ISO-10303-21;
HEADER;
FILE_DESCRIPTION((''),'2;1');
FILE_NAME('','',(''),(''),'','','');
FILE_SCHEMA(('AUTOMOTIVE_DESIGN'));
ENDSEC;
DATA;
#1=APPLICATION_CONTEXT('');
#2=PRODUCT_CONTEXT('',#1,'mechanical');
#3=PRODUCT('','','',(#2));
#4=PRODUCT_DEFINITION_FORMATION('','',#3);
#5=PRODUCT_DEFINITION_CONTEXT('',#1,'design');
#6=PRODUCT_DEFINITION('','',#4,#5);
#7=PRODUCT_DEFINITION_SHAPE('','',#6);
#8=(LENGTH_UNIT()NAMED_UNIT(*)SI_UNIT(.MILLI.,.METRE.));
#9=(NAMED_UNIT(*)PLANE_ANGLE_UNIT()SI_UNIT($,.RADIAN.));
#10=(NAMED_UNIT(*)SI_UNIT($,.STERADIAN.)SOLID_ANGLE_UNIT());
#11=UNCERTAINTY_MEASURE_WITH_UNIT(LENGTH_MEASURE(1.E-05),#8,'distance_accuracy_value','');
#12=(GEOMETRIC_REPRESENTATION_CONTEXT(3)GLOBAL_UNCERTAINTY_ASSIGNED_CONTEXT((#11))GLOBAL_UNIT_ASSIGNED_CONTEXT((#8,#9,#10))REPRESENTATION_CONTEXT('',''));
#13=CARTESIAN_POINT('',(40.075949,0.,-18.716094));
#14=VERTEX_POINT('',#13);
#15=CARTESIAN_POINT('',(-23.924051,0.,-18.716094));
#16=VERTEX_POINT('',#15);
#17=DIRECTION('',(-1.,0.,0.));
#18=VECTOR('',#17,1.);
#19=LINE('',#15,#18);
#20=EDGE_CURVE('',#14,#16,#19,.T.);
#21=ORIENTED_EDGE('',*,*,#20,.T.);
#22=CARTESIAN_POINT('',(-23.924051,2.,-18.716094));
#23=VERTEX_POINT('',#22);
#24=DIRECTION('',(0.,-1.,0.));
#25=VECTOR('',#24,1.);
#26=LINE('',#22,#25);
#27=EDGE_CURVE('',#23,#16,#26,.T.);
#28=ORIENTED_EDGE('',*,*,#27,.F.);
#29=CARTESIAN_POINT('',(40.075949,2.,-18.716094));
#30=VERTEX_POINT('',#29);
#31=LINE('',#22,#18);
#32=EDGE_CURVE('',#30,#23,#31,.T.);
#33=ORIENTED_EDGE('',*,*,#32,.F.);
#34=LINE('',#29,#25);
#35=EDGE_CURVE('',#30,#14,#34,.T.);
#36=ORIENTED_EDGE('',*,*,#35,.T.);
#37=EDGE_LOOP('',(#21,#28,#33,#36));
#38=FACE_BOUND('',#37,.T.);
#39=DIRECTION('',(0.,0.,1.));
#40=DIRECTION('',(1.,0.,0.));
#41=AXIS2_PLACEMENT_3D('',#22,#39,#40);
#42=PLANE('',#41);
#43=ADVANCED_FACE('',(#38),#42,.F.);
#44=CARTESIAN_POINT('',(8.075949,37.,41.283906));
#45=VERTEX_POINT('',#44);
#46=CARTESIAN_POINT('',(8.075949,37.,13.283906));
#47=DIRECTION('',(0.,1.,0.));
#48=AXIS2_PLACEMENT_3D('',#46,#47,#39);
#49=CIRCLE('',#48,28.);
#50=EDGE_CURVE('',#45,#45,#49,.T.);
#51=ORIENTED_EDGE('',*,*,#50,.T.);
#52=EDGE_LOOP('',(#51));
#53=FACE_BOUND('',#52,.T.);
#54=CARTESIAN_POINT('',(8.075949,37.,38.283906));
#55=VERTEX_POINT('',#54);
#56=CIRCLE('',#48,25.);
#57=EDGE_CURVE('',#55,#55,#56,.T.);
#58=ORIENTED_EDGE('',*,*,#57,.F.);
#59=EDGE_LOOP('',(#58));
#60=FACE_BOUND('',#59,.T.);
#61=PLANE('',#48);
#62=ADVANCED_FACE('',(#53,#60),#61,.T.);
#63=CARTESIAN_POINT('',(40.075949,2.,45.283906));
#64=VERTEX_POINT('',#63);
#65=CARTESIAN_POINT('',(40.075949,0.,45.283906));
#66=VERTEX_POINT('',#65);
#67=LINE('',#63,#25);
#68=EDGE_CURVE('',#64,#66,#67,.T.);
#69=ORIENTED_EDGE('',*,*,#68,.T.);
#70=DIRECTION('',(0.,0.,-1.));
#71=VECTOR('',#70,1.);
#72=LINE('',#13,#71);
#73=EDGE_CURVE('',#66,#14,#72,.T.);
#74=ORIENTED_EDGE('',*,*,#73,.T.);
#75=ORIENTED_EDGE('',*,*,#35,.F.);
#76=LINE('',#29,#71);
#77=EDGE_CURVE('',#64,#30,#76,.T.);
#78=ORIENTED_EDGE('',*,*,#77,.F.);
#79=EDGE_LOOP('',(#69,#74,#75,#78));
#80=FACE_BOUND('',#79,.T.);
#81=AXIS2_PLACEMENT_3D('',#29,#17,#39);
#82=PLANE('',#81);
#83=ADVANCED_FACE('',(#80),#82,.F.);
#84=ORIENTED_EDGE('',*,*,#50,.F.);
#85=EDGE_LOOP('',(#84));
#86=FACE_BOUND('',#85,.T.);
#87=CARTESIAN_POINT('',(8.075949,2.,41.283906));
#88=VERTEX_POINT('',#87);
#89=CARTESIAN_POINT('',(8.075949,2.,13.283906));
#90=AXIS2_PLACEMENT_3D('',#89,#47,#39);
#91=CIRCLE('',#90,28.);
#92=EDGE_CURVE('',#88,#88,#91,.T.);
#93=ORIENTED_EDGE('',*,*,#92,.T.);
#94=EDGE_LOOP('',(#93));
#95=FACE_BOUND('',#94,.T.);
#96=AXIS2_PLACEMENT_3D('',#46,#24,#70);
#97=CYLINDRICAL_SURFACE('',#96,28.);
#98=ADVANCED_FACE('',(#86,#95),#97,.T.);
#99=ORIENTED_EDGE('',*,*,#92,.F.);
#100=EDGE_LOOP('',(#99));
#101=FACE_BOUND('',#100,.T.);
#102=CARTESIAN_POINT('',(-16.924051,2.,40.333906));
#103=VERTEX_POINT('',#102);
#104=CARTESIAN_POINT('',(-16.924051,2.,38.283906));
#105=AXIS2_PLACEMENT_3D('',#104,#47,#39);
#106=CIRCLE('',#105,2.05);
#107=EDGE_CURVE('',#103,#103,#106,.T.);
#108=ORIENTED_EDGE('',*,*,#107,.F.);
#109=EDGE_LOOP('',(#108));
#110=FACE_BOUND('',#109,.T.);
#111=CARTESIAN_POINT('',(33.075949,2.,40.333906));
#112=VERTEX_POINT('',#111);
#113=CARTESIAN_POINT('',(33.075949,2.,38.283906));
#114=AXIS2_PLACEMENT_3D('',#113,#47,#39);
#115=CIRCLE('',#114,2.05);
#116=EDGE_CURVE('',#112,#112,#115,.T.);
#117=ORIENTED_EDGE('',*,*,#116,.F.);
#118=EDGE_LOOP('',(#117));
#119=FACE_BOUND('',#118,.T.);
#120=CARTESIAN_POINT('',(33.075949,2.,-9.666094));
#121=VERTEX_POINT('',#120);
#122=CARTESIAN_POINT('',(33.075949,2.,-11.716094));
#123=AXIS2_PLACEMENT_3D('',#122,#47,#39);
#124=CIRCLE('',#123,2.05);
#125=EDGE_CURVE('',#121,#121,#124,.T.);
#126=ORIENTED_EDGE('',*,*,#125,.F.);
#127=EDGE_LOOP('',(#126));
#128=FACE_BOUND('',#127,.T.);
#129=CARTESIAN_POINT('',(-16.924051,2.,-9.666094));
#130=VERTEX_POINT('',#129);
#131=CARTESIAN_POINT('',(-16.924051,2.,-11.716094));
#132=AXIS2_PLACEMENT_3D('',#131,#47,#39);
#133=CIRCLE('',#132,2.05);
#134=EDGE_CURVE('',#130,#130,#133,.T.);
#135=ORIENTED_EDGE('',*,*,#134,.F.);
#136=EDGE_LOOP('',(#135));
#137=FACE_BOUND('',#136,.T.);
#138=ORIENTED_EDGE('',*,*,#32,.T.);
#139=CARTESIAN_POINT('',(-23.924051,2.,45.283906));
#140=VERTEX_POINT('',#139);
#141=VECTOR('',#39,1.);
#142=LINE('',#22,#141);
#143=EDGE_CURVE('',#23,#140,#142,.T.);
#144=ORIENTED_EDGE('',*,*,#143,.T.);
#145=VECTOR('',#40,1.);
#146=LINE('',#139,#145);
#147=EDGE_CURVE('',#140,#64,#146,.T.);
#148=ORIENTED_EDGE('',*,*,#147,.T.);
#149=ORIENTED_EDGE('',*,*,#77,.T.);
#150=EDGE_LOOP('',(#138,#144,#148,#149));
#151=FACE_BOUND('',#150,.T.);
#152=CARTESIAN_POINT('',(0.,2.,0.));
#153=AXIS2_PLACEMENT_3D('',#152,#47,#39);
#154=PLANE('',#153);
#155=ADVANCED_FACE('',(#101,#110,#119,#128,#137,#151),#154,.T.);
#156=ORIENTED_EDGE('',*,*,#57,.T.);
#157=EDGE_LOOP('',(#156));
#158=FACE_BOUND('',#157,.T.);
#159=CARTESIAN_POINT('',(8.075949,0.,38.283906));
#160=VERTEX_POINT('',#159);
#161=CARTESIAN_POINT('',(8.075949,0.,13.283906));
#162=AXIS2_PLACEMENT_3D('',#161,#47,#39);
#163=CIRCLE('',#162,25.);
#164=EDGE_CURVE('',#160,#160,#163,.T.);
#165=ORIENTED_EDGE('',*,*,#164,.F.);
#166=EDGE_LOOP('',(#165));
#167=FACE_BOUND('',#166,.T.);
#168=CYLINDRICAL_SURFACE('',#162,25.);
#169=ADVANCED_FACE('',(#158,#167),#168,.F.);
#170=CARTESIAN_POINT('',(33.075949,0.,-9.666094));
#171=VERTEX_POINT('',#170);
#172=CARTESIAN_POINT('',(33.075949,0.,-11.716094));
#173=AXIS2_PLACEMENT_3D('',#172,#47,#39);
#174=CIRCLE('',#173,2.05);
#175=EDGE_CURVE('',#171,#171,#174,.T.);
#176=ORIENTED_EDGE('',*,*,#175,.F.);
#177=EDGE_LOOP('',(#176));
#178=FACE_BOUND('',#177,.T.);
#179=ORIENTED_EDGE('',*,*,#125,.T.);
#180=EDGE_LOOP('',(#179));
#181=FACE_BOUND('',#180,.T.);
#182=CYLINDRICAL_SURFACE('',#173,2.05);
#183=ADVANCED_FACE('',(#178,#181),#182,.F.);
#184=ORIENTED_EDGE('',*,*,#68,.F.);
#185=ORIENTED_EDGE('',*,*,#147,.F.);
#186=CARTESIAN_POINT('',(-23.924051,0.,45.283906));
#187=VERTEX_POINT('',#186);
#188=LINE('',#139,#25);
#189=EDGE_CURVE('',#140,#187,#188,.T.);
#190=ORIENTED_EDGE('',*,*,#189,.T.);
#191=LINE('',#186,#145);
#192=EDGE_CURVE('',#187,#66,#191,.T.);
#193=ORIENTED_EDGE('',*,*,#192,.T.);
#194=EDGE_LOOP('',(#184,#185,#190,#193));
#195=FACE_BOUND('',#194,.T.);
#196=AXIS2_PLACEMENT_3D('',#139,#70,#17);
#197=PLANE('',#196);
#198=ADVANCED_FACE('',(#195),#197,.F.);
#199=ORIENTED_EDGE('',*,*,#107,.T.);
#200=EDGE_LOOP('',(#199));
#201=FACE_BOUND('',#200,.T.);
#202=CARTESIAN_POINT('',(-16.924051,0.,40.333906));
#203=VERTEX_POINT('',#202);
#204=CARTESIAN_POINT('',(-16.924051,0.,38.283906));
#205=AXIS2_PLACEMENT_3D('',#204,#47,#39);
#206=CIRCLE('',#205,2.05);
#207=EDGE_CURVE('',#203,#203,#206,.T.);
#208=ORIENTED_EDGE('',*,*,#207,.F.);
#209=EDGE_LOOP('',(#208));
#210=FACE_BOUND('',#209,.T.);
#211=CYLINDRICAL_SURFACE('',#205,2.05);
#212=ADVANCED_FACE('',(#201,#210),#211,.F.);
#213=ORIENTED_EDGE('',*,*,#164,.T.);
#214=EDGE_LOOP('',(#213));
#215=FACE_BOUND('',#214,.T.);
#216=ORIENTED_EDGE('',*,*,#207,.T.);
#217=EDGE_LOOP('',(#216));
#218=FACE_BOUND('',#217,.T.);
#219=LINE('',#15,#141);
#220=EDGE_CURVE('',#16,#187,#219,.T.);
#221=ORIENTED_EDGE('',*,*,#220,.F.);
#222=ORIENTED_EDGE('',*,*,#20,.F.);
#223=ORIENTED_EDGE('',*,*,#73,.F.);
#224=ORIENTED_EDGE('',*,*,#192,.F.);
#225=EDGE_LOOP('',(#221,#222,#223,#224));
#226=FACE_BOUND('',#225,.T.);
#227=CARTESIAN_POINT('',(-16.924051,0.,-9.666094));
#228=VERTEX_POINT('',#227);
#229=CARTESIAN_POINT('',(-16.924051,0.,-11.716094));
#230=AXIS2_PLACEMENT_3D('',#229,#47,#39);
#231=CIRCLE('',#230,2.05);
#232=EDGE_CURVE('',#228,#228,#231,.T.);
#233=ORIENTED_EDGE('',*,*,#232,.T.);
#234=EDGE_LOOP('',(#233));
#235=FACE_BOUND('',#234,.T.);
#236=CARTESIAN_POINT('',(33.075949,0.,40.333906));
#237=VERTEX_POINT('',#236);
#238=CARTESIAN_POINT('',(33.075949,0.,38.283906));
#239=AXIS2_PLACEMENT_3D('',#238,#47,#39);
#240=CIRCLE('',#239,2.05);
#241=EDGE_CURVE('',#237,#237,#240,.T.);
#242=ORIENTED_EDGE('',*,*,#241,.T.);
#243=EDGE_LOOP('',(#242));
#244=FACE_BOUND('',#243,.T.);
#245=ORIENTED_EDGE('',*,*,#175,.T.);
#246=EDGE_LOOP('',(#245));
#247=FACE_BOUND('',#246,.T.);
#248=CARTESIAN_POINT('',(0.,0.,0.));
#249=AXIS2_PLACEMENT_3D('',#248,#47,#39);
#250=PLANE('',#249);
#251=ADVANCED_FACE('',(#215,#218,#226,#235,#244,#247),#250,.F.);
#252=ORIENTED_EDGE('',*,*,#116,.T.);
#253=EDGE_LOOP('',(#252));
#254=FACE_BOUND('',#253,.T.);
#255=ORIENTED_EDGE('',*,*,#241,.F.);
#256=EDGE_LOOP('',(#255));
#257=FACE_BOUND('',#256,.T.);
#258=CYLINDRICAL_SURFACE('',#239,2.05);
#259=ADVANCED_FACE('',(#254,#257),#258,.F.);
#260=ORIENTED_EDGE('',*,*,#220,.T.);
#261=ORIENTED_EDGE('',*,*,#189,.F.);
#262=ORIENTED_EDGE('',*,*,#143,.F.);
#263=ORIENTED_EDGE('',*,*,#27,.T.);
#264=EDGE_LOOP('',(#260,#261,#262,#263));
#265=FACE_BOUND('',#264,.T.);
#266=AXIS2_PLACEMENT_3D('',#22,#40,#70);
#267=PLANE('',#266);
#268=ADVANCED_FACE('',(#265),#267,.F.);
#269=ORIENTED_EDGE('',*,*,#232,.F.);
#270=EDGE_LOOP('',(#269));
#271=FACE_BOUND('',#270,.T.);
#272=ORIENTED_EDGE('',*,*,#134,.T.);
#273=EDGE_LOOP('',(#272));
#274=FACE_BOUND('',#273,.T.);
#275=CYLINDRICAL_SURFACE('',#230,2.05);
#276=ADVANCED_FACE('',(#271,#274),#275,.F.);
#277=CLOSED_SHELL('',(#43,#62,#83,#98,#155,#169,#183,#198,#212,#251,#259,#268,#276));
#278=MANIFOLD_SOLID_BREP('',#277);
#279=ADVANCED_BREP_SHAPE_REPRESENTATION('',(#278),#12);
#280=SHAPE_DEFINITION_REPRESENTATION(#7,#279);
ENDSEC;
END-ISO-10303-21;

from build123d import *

# Parameters (mm, degrees)
SKETCH_1_W          = 64
SKETCH_1_H          = 64
EXTRUDE_1_DEPTH     = 2
SKETCH_2_R          = 2.05
SKETCH_2_R_2        = 25
CUT_EXTRUDE_1_DEPTH = 2
EXTRUDE_START       = 35
SKETCH_3_R          = 28
SKETCH_3_R_2        = 25
EXTRUDE_2_DEPTH     = 35


with BuildPart() as part:
    # 草图1 → 凸台-拉伸1 (new body)
    with BuildSketch(Plane(origin=(0, 0, 0), x_dir=(1, 0, 0), z_dir=(0, 1, 0))):
        with Locations((8.075949367, -13.283905967)):
            Rectangle(SKETCH_1_W, SKETCH_1_H)
    extrude(amount=EXTRUDE_1_DEPTH)

    # 草图2 → 切除-拉伸1 (cut)
    with BuildSketch(Plane(origin=(0, 2, 0), x_dir=(1, 0, 0), z_dir=(0, 1, 0))):
        with Locations(Location((-16.924050633, 11.716094033, 0), (0, 0, 270))):
            Circle(SKETCH_2_R)
        with Locations(Location((33.075949367, 11.716094033, 0), (0, 0, 270))):
            Circle(SKETCH_2_R)
        with Locations(Location((-16.924050633, -38.283905967, 0), (0, 0, 270))):
            Circle(SKETCH_2_R)
        with Locations(Location((33.075949367, -38.283905967, 0), (0, 0, 270))):
            Circle(SKETCH_2_R)
        with Locations(Location((8.075949367, -13.283905967, 0), (0, 0, 270))):
            Circle(SKETCH_2_R_2)
    extrude(amount=-CUT_EXTRUDE_1_DEPTH, mode=Mode.SUBTRACT)

    # 草图3 → 凸台-拉伸2 (add)
    with BuildSketch(Plane(origin=(0, 2, 0), x_dir=(1, 0, 0), z_dir=(0, 1, 0)).offset(EXTRUDE_START)):
        with Locations(Location((8.075949367, -13.283905967, 0), (0, 0, 270))):
            Circle(SKETCH_3_R)
        with Locations(Location((8.075949367, -13.283905967, 0), (0, 0, 270))):
            Circle(SKETCH_3_R_2, mode=Mode.SUBTRACT)
    extrude(amount=-EXTRUDE_2_DEPTH)


solid = part.part
